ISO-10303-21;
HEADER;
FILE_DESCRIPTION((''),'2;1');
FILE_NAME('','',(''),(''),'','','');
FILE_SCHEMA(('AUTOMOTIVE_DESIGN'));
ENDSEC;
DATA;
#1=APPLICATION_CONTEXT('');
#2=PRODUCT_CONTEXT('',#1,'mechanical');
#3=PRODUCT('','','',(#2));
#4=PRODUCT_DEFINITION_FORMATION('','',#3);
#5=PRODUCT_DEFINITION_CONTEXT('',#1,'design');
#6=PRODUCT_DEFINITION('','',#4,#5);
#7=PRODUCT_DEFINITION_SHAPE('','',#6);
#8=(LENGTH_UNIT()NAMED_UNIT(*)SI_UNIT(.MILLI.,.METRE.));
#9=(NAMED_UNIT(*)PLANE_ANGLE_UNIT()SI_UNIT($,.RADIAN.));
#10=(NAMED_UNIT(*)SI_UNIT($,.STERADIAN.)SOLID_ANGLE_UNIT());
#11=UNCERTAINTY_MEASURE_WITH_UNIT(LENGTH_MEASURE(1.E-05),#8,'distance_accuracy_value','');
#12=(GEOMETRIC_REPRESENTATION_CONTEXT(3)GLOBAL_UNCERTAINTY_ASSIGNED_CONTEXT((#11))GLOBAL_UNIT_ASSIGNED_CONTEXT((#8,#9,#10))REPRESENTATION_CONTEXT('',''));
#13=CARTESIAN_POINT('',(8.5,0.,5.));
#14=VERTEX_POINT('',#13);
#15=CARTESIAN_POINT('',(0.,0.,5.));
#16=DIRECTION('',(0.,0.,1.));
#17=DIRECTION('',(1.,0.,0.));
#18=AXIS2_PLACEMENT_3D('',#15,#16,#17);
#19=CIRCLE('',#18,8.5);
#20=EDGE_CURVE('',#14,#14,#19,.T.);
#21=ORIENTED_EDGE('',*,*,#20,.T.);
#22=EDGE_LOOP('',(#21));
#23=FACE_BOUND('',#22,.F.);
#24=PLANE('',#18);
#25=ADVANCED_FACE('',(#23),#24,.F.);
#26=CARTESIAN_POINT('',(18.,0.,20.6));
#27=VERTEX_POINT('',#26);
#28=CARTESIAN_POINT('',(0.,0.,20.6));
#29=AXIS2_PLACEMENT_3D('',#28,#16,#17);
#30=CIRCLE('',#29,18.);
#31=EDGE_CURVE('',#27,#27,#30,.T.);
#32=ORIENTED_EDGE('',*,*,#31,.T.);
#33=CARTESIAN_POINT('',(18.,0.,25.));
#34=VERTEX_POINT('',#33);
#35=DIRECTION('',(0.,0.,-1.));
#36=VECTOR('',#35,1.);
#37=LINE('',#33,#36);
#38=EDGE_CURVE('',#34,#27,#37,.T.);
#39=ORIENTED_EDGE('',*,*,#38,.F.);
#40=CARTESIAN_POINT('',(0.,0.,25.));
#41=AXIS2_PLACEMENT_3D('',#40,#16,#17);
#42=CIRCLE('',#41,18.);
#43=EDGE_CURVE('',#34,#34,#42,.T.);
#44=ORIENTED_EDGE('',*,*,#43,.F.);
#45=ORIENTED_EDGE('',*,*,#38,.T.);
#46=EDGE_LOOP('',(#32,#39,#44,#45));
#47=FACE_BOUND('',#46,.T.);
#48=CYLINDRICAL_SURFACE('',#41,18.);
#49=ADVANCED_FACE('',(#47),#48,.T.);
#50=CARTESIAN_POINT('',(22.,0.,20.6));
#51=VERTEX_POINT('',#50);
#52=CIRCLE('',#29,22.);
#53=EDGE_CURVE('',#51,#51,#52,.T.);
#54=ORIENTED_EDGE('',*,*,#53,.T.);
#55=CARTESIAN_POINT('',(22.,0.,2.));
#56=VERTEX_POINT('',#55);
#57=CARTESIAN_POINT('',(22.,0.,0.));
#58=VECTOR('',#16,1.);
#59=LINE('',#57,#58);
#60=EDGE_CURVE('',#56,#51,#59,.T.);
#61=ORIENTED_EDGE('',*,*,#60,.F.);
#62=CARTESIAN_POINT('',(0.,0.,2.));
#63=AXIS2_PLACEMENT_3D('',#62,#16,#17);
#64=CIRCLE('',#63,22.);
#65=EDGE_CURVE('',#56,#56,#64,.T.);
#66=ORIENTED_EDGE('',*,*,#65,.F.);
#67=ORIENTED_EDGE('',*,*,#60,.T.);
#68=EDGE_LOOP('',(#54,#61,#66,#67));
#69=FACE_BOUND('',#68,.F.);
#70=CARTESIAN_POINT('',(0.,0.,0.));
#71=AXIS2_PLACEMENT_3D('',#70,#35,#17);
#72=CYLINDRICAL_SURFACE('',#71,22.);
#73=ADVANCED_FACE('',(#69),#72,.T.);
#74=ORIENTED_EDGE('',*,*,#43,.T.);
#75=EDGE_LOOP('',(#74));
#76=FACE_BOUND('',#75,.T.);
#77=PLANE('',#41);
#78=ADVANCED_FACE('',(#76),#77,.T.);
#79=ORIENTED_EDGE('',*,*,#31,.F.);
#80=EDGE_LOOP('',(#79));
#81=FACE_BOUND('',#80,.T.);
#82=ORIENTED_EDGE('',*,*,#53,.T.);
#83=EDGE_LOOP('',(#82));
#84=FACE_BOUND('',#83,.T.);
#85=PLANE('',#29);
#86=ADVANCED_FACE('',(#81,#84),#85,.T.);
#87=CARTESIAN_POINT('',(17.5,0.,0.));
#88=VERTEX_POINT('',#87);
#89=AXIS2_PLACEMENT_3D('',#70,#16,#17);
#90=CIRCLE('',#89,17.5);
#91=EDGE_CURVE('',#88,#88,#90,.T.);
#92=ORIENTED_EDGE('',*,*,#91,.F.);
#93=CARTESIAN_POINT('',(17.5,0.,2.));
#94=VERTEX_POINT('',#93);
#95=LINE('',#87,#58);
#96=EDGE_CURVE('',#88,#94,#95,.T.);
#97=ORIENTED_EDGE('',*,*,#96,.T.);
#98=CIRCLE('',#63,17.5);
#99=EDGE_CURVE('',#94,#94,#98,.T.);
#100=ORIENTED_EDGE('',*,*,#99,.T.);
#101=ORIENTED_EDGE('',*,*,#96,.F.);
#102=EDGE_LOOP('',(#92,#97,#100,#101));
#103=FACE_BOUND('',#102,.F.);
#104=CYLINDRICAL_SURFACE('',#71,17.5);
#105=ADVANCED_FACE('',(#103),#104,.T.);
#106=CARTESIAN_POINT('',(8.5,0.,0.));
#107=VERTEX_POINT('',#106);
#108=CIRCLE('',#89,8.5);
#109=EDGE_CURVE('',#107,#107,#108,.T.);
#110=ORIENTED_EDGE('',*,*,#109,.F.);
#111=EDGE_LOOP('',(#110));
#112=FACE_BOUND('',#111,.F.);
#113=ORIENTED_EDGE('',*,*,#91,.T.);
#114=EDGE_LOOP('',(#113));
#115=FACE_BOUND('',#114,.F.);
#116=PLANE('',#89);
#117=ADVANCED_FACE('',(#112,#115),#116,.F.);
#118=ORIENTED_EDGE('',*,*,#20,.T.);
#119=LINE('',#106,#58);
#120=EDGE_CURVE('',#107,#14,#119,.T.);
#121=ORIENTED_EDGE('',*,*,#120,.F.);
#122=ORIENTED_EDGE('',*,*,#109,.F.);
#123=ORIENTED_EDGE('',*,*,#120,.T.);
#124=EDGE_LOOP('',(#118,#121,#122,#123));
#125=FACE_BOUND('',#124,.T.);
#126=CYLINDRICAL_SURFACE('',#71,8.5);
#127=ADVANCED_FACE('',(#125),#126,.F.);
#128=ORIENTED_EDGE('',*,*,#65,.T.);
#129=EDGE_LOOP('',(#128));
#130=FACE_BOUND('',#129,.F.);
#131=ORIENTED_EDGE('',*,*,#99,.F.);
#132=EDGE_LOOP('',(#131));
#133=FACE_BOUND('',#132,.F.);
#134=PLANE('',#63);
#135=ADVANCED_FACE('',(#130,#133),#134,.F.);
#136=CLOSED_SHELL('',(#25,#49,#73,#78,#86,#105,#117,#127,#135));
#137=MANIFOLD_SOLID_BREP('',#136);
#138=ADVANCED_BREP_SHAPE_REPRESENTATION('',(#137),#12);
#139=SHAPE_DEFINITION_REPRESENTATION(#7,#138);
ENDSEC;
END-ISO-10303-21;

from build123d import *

# Parameters (mm, degrees)
F0_R     = 22
F0_R_2   = 17.5
F0_R_3   = 8.5
F1_DEPTH = 25
F2_DEPTH = 5
F3_DEPTH = 2
F4_R     = 22
F4_R_2   = 18
F5_DEPTH = 4.4


with BuildPart() as f1:
    # F0 (on Top) → F1 (new body)
    with BuildSketch(Plane.XY):
        Circle(F0_R)
        Circle(F0_R_2, mode=Mode.SUBTRACT)
        Circle(F0_R_2)
        Circle(F0_R_3, mode=Mode.SUBTRACT)
        Circle(F0_R_3)
    extrude(amount=F1_DEPTH)

    # F0 (on Top) → F2 (cut)
    with BuildSketch(Plane.XY):
        Circle(F0_R_3)
    extrude(amount=F2_DEPTH, mode=Mode.SUBTRACT)

    # F0 (on Top) → F3 (cut)
    with BuildSketch(Plane.XY):
        Circle(F0_R)
        Circle(F0_R_2, mode=Mode.SUBTRACT)
    extrude(amount=F3_DEPTH, mode=Mode.SUBTRACT)

    # F4 (on face) → F5 (cut)
    with BuildSketch(Plane.XY.offset(25)):
        Circle(F4_R)
        Circle(F4_R_2, mode=Mode.SUBTRACT)
    extrude(amount=-F5_DEPTH, mode=Mode.SUBTRACT)


solid = f1.part
